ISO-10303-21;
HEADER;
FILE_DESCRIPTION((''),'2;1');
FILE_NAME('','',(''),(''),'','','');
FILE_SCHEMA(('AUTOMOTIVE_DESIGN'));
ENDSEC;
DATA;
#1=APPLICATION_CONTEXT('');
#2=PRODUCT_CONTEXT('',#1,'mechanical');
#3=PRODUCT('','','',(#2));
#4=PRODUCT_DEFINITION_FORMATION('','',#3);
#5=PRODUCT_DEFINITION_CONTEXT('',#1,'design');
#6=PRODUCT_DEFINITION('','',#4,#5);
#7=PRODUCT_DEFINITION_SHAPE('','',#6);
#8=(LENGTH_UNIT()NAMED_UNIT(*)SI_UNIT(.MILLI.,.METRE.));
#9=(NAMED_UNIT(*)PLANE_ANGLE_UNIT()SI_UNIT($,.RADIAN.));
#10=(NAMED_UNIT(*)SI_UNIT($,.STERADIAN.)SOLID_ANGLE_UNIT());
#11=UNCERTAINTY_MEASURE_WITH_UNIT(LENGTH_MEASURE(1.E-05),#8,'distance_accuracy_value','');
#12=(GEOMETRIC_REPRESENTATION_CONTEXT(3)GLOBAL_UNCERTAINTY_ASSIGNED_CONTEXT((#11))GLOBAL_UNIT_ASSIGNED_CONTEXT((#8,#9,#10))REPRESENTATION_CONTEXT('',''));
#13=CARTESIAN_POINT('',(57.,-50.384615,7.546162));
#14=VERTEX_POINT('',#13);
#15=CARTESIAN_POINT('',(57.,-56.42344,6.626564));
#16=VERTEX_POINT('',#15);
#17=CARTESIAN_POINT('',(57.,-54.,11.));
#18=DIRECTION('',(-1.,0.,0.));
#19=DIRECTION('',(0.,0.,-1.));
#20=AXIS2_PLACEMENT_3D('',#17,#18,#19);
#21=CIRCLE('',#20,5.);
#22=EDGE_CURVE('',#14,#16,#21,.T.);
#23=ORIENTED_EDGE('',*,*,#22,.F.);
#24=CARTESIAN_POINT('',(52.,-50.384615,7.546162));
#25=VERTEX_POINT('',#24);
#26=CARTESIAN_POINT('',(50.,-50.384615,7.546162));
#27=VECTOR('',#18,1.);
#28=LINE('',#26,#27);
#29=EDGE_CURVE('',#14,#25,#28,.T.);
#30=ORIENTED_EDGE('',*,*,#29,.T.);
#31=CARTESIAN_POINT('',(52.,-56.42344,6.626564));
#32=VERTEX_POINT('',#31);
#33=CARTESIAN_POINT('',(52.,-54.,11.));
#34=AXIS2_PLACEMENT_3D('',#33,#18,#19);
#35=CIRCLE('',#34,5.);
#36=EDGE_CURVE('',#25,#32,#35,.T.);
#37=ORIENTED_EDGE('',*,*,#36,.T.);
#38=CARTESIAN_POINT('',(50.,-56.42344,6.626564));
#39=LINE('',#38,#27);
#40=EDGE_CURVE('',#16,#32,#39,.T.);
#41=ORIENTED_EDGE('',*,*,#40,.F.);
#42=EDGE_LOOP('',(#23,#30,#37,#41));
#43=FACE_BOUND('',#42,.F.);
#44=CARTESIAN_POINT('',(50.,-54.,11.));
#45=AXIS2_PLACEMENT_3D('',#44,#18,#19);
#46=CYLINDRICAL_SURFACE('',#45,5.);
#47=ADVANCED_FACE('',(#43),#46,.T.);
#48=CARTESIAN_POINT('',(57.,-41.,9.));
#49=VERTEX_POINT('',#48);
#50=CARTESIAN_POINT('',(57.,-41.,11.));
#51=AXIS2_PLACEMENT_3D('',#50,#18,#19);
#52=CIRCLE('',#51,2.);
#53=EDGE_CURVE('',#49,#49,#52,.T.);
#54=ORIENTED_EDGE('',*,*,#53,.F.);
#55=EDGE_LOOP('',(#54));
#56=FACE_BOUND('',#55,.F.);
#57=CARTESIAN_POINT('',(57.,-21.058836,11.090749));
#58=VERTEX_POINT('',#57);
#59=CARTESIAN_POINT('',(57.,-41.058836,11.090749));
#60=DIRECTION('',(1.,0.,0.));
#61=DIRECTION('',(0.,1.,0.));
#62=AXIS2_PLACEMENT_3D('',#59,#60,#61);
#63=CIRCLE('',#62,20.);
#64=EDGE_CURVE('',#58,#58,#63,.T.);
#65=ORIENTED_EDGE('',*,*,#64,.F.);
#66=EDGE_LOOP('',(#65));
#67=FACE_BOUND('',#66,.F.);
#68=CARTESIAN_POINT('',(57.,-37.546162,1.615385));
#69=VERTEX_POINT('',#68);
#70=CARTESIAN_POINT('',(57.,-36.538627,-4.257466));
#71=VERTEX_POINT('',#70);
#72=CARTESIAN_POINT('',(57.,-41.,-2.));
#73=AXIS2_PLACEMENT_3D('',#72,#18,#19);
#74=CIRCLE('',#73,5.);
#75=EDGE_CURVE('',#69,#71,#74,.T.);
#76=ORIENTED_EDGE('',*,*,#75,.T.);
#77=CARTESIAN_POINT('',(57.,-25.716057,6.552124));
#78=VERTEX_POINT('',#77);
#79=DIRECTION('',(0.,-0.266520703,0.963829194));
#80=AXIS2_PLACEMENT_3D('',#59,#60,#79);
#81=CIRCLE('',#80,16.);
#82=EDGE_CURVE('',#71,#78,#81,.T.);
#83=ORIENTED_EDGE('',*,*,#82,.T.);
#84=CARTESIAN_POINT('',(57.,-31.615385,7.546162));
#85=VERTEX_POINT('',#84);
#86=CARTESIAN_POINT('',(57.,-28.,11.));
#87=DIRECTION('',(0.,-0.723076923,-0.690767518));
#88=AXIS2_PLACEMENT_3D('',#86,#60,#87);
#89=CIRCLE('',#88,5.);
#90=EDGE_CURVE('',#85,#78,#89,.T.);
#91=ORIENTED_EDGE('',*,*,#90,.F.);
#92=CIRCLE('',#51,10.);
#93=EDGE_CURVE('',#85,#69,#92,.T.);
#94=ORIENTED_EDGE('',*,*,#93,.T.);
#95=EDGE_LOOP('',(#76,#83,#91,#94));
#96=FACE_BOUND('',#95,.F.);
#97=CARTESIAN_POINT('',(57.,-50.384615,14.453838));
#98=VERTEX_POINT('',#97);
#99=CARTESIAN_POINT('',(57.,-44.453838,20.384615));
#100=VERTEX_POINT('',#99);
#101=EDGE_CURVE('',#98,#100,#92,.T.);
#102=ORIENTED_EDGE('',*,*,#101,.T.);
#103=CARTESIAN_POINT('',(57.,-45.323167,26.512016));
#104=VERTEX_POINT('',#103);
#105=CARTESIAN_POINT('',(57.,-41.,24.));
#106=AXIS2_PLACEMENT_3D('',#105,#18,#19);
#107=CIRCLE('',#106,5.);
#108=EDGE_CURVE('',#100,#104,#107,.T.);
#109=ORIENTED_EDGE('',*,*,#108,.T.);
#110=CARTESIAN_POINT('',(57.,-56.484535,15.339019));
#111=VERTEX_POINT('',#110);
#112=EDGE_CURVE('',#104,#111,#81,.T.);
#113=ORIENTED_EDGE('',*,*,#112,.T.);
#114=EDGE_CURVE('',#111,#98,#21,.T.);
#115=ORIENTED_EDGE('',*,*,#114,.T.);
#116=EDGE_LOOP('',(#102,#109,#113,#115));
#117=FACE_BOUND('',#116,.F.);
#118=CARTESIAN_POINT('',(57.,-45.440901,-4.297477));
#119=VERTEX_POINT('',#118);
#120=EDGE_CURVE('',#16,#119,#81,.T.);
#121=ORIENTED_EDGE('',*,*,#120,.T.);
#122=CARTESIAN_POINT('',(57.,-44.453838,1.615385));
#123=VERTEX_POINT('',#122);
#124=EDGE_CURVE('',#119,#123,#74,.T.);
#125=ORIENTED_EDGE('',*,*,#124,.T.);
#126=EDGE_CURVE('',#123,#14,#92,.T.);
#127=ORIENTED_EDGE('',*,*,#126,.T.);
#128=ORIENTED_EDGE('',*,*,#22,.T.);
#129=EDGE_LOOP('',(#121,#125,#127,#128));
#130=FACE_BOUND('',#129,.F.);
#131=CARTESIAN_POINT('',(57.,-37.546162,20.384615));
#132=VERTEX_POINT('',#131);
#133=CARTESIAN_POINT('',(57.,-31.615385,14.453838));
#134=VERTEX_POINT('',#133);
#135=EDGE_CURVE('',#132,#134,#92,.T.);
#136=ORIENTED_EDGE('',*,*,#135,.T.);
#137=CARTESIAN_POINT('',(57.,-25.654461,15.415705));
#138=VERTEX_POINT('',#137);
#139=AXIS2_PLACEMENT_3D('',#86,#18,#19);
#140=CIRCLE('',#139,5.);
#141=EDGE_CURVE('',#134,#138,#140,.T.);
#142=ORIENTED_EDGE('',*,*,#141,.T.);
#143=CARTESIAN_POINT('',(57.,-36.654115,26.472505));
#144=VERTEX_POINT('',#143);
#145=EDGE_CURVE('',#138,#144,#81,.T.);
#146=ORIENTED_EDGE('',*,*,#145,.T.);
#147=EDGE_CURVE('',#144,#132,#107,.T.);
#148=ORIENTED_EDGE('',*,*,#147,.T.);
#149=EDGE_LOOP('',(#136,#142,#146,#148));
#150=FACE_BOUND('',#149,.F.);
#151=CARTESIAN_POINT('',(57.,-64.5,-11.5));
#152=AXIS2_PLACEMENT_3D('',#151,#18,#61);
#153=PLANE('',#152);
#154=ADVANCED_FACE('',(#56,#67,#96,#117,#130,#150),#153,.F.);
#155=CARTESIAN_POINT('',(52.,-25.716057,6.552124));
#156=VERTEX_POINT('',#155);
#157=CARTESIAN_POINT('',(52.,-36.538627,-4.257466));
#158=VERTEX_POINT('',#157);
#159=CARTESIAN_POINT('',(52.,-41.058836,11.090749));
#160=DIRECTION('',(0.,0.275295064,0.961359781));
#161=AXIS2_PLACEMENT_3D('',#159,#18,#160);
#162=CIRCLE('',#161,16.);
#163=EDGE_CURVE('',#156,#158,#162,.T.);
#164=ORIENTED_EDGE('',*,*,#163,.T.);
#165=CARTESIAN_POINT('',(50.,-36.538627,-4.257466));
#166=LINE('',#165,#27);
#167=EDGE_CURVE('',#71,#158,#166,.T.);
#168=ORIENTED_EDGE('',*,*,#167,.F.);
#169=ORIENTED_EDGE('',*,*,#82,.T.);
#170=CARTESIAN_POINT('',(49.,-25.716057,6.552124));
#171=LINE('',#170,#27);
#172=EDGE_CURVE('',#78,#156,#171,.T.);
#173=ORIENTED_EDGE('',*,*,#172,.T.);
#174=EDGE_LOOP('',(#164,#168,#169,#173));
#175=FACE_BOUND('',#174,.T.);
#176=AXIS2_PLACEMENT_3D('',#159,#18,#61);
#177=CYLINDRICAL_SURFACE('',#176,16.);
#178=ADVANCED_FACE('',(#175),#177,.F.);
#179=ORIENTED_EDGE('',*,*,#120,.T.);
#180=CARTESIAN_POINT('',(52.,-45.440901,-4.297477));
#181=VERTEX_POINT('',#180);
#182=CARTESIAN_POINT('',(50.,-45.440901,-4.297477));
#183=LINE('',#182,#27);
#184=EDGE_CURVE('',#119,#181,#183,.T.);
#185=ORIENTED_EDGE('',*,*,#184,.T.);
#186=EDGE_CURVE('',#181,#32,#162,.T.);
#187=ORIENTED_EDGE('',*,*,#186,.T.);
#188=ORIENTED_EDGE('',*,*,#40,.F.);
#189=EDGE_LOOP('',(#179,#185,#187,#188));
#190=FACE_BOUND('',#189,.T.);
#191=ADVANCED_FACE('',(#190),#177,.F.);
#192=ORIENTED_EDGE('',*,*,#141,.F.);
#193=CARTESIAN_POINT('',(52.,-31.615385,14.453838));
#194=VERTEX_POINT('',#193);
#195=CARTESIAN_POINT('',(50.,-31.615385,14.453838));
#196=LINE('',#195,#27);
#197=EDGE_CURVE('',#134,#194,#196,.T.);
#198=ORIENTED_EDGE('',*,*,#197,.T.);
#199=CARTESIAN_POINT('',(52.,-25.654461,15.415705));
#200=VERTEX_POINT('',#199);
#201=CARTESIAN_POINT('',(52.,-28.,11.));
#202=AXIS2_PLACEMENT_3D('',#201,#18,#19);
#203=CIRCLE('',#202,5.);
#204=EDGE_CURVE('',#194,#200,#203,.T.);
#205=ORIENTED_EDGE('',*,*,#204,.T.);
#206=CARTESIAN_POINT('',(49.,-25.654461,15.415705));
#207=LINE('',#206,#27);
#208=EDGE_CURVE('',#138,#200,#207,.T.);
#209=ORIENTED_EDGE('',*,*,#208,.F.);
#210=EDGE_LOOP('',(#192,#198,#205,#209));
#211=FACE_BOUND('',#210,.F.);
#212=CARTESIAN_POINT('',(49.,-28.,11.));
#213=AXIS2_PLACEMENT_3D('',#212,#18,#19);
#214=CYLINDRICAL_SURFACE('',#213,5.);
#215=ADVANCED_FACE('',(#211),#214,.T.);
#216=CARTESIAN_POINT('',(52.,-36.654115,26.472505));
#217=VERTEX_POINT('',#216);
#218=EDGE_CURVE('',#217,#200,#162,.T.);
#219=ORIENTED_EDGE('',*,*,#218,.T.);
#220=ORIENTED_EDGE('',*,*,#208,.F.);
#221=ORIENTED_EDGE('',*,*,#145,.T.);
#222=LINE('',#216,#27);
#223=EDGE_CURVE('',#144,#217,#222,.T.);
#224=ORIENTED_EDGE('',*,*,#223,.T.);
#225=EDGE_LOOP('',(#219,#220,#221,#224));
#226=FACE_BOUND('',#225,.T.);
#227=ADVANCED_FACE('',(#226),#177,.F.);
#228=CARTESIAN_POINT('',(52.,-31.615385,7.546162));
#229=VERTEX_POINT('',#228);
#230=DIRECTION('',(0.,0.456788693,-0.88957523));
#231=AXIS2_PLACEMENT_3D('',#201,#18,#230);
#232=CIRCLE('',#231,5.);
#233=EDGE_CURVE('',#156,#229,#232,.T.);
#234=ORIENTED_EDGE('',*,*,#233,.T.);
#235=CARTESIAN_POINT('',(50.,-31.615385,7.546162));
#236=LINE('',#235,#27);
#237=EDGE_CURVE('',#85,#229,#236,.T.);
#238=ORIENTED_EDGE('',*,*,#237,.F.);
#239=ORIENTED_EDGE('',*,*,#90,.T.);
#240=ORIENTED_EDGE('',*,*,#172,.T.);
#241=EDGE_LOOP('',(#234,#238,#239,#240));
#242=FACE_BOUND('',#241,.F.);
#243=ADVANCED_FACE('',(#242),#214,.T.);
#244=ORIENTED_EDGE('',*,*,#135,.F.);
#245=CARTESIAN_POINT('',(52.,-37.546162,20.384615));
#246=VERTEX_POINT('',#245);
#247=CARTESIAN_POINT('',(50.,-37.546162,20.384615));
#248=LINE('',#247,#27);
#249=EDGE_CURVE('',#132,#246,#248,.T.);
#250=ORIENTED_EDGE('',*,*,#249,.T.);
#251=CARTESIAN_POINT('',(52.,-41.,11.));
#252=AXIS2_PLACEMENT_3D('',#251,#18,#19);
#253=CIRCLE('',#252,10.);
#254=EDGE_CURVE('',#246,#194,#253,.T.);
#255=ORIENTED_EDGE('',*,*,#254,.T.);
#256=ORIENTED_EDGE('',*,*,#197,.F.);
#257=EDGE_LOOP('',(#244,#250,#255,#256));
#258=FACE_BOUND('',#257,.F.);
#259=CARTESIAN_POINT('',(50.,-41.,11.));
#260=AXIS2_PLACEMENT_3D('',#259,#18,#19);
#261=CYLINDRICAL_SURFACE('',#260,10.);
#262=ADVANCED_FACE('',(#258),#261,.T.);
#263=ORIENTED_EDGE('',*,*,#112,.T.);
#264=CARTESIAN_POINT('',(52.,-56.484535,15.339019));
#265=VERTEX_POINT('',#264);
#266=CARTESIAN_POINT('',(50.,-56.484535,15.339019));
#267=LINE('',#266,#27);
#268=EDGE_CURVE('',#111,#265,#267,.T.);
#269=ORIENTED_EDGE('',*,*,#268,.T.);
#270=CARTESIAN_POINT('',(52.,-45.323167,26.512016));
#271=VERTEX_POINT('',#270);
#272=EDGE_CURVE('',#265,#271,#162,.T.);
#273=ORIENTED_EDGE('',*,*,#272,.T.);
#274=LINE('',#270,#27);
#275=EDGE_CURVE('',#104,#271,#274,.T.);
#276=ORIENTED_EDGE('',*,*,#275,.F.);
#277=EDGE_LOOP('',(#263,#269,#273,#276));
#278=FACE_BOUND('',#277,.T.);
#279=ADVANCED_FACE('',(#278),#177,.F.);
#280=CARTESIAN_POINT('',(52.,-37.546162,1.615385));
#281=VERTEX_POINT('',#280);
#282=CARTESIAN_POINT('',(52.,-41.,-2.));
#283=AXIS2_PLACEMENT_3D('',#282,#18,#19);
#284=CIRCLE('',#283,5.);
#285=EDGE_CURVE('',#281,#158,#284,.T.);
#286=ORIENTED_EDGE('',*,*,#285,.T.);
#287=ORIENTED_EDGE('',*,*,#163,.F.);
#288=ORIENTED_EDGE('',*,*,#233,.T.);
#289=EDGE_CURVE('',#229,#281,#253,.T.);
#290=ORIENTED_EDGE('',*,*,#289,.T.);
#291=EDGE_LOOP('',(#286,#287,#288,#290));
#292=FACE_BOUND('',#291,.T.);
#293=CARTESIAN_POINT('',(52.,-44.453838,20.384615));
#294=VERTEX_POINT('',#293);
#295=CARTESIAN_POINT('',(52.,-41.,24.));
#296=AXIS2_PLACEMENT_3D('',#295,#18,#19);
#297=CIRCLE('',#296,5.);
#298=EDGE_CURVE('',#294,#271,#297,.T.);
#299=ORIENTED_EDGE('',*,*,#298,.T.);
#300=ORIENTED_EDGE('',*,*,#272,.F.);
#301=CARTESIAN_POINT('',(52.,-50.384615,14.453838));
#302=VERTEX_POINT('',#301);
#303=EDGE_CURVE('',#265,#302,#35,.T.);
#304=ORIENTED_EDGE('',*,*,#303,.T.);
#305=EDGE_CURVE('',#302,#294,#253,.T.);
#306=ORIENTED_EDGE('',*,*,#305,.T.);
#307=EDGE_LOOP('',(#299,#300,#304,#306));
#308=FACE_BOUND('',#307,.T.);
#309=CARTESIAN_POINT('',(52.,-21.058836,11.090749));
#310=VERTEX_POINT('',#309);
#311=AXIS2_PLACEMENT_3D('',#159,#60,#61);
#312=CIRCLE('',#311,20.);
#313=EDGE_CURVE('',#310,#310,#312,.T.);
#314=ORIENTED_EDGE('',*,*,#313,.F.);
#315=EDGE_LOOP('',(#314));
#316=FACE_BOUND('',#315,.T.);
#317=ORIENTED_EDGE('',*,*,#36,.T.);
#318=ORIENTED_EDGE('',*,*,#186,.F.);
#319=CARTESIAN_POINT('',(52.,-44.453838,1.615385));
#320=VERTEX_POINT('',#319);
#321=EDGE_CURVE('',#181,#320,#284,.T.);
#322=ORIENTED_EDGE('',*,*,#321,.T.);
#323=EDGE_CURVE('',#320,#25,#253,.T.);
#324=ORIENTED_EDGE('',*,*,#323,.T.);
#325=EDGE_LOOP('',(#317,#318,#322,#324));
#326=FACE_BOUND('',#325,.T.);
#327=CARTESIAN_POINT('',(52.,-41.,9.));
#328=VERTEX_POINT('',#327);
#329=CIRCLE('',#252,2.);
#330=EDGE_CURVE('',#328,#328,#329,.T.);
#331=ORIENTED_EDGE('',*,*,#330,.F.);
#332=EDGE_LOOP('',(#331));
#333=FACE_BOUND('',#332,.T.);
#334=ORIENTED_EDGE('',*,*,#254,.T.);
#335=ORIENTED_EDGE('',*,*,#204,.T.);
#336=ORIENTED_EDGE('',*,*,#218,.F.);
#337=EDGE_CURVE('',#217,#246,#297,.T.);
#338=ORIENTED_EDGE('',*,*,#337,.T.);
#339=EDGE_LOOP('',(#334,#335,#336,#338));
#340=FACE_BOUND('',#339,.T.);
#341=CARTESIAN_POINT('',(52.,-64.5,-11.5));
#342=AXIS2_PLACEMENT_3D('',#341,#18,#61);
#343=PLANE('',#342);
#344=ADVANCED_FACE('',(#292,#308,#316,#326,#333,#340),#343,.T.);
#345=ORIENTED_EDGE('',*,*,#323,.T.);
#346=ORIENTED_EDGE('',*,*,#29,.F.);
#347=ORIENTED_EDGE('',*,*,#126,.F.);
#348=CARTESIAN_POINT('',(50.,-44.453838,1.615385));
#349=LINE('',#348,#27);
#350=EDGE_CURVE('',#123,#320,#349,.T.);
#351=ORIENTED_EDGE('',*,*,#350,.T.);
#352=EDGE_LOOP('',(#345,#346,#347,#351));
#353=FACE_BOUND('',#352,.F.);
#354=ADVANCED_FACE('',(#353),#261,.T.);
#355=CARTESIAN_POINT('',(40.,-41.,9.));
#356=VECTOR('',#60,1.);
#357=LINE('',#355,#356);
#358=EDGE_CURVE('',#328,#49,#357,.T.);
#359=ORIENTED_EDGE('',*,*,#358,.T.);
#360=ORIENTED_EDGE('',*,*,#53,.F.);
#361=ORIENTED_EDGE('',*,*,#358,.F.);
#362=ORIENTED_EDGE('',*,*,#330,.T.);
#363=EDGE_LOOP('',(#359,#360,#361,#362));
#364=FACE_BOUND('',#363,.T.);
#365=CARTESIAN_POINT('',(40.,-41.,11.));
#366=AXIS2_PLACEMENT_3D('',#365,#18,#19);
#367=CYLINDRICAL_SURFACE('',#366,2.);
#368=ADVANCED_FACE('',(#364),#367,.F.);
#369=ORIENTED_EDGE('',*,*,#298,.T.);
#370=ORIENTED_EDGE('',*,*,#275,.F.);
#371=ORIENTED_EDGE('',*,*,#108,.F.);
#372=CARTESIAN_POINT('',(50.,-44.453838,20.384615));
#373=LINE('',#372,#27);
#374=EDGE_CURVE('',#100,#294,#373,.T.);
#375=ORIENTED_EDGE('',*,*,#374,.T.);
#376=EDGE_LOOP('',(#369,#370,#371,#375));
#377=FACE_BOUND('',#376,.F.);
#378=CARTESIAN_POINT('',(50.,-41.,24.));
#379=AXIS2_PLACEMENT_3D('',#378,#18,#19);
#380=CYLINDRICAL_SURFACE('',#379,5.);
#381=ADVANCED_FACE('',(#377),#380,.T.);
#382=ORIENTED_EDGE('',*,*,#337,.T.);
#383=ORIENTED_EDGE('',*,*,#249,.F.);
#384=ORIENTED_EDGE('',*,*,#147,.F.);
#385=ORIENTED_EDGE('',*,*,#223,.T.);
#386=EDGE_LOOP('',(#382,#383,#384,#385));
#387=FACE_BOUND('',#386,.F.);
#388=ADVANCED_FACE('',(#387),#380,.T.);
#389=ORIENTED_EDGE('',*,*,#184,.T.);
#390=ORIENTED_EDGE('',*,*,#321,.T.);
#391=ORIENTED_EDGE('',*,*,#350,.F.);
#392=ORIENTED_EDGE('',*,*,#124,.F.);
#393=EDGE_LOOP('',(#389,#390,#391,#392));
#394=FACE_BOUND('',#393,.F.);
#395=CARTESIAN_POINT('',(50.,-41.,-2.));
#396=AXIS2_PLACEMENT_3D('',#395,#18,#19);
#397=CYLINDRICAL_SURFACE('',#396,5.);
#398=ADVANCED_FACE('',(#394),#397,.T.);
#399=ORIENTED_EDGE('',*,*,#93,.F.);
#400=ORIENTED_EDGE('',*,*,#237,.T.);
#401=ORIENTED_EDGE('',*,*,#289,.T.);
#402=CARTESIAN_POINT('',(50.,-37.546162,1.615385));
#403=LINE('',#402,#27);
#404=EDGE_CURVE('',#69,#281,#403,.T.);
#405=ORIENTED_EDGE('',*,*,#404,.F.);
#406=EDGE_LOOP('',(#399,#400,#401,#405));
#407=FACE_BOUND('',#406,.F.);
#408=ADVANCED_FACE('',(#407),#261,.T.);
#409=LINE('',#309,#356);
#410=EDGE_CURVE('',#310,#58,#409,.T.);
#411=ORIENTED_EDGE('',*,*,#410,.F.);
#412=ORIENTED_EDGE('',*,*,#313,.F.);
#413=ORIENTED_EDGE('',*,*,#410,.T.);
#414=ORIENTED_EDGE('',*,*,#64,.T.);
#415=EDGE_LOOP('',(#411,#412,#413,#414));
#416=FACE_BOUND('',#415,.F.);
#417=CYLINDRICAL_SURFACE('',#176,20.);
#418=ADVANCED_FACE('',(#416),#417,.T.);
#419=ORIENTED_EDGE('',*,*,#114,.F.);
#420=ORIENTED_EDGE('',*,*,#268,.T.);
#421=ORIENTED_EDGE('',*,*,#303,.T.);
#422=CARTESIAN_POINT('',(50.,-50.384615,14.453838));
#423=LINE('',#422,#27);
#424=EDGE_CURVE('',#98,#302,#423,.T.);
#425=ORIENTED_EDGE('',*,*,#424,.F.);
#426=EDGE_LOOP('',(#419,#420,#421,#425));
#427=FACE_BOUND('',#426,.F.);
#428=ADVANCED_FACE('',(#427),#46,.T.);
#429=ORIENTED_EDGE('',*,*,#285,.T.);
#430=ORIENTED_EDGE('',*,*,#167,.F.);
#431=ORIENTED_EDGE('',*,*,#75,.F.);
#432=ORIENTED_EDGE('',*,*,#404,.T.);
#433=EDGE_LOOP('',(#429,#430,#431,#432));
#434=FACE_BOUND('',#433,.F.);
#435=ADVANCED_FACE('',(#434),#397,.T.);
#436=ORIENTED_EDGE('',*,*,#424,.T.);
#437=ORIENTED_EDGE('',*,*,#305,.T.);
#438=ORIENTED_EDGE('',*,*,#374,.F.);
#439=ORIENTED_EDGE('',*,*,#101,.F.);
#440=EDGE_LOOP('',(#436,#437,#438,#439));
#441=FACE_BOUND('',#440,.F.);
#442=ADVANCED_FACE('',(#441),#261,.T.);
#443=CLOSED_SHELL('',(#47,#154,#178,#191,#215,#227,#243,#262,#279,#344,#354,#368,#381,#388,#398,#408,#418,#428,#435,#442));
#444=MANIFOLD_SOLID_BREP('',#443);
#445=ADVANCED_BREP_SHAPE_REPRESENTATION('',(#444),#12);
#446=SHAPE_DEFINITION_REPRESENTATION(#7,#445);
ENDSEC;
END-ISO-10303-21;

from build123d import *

# Parameters (mm, degrees)
BOX005_W                = 10
BOX005_H                = 45
BOX005_DEPTH            = 45
BOX004_W                = 10
BOX004_H                = 45
BOX004_DEPTH            = 45
CYLINDER012_R           = 5
CYLINDER012_DEPTH       = 10
CYLINDER012_PITCH_ANGLE = 90
SKETCH005_R             = 20
SKETCH005_R_2           = 16
PAD010_DEPTH            = 5
CYLINDER014_R           = 5
CYLINDER014_DEPTH       = 10
CYLINDER014_PITCH_ANGLE = 90
CYLINDER016_R           = 5
CYLINDER016_DEPTH       = 10
CYLINDER016_PITCH_ANGLE = 90
CYLINDER015_R           = 5
CYLINDER015_DEPTH       = 10
CYLINDER015_PITCH_ANGLE = 90
CYLINDER013_R           = 2
CYLINDER013_DEPTH       = 30
CYLINDER013_PITCH_ANGLE = 90
CYLINDER017_R           = 10
CYLINDER017_DEPTH       = 10
CYLINDER017_PITCH_ANGLE = 90


with BuildPart() as cube005:
    # Box005 → Box005 (new body)
    with BuildSketch(Plane(origin=(-10, -54, -57), x_dir=(1, 0, 0), z_dir=(0, 0, 1))):
        with Locations((5, 22.5)):
            Rectangle(BOX005_W, BOX005_H)
    extrude(amount=BOX005_DEPTH)


with BuildPart() as cube004:
    # Box004 → Box004 (new body)
    with BuildSketch(Plane(origin=(5, -54, -57), x_dir=(1, 0, 0), z_dir=(0, 0, 1))):
        with Locations((5, 22.5)):
            Rectangle(BOX004_W, BOX004_H)
    extrude(amount=BOX004_DEPTH)


with BuildPart() as cylinder:
    # Cylinder012 → Cylinder012 (new body)
    with BuildSketch(Plane.XY):
        Circle(CYLINDER012_R)
    extrude(amount=CYLINDER012_DEPTH)


with BuildPart() as cylinder_1:
    # Cylinder012 pitch: moved
    add(cylinder.part.rotate(Axis((0, 0, 0), (0, 1, 0)), CYLINDER012_PITCH_ANGLE))


with BuildPart() as cylinder_2:
    # Cylinder012 placement: moved
    add(cylinder_1.part.moved(Location((-2, -30.5, -21.5))))


with BuildPart() as fusion012:
    # Sketch005 → Pad010 (new body)
    with BuildSketch(Plane.YZ):
        with Locations((-30.558836, -34.409251)):
            Circle(SKETCH005_R)
        with Locations((-30.558836, -34.409251)):
            Circle(SKETCH005_R_2, mode=Mode.SUBTRACT)
    extrude(amount=PAD010_DEPTH)

    # Fusion012: union Cylinder
    add(cylinder_2.part)


with BuildPart() as fusion013:
    # Cylinder014 → Cylinder014 (new body)
    with BuildSketch(Plane.XY):
        Circle(CYLINDER014_R)
    extrude(amount=CYLINDER014_DEPTH)


with BuildPart() as fusion013_1:
    # Cylinder014 pitch: moved
    add(fusion013.part.rotate(Axis((0, 0, 0), (0, 1, 0)), CYLINDER014_PITCH_ANGLE))


with BuildPart() as fusion013_2:
    # Cylinder014 placement: moved
    add(fusion013_1.part.moved(Location((-2, -43.5, -34.5))))

    # Fusion013: union Fusion012
    add(fusion012.part)


with BuildPart() as fusion014:
    # Cylinder016 → Cylinder016 (new body)
    with BuildSketch(Plane.XY):
        Circle(CYLINDER016_R)
    extrude(amount=CYLINDER016_DEPTH)


with BuildPart() as fusion014_1:
    # Cylinder016 pitch: moved
    add(fusion014.part.rotate(Axis((0, 0, 0), (0, 1, 0)), CYLINDER016_PITCH_ANGLE))


with BuildPart() as fusion014_2:
    # Cylinder016 placement: moved
    add(fusion014_1.part.moved(Location((-2, -30.5, -47.5))))

    # Fusion014: union Fusion013
    add(fusion013_2.part)


with BuildPart() as fusion015:
    # Cylinder015 → Cylinder015 (new body)
    with BuildSketch(Plane.XY):
        Circle(CYLINDER015_R)
    extrude(amount=CYLINDER015_DEPTH)


with BuildPart() as fusion015_1:
    # Cylinder015 pitch: moved
    add(fusion015.part.rotate(Axis((0, 0, 0), (0, 1, 0)), CYLINDER015_PITCH_ANGLE))


with BuildPart() as fusion015_2:
    # Cylinder015 placement: moved
    add(fusion015_1.part.moved(Location((-3, -17.5, -34.5))))

    # Fusion015: union Fusion014
    add(fusion014_2.part)


with BuildPart() as cylinder011:
    # Cylinder013 → Cylinder013 (new body)
    with BuildSketch(Plane.XY):
        Circle(CYLINDER013_R)
    extrude(amount=CYLINDER013_DEPTH)


with BuildPart() as cylinder011_1:
    # Cylinder013 pitch: moved
    add(cylinder011.part.rotate(Axis((0, 0, 0), (0, 1, 0)), CYLINDER013_PITCH_ANGLE))


with BuildPart() as cylinder011_2:
    # Cylinder013 placement: moved
    add(cylinder011_1.part.moved(Location((-12, -30.5, -34.5))))


with BuildPart() as cut008:
    # Cylinder017 → Cylinder017 (new body)
    with BuildSketch(Plane.XY):
        Circle(CYLINDER017_R)
    extrude(amount=CYLINDER017_DEPTH)


with BuildPart() as cut008_1:
    # Cylinder017 pitch: moved
    add(cut008.part.rotate(Axis((0, 0, 0), (0, 1, 0)), CYLINDER017_PITCH_ANGLE))


with BuildPart() as cut008_2:
    # Cylinder017 placement: moved
    add(cut008_1.part.moved(Location((-2, -30.5, -34.5))))

    # Cut006: cut Cylinder011
    add(cylinder011_2.part, mode=Mode.SUBTRACT)

    # Fusion016: union Fusion015
    add(fusion015_2.part)

    # Cut007: cut Cube004
    add(cube004.part, mode=Mode.SUBTRACT)

    # Cut008: cut Cube005
    add(cube005.part, mode=Mode.SUBTRACT)


with BuildPart() as cut008_3:
    # Cut008 placement: moved
    add(cut008_2.part.moved(Location((52, -10.5, 45.5))))


solid = cut008_3.part
